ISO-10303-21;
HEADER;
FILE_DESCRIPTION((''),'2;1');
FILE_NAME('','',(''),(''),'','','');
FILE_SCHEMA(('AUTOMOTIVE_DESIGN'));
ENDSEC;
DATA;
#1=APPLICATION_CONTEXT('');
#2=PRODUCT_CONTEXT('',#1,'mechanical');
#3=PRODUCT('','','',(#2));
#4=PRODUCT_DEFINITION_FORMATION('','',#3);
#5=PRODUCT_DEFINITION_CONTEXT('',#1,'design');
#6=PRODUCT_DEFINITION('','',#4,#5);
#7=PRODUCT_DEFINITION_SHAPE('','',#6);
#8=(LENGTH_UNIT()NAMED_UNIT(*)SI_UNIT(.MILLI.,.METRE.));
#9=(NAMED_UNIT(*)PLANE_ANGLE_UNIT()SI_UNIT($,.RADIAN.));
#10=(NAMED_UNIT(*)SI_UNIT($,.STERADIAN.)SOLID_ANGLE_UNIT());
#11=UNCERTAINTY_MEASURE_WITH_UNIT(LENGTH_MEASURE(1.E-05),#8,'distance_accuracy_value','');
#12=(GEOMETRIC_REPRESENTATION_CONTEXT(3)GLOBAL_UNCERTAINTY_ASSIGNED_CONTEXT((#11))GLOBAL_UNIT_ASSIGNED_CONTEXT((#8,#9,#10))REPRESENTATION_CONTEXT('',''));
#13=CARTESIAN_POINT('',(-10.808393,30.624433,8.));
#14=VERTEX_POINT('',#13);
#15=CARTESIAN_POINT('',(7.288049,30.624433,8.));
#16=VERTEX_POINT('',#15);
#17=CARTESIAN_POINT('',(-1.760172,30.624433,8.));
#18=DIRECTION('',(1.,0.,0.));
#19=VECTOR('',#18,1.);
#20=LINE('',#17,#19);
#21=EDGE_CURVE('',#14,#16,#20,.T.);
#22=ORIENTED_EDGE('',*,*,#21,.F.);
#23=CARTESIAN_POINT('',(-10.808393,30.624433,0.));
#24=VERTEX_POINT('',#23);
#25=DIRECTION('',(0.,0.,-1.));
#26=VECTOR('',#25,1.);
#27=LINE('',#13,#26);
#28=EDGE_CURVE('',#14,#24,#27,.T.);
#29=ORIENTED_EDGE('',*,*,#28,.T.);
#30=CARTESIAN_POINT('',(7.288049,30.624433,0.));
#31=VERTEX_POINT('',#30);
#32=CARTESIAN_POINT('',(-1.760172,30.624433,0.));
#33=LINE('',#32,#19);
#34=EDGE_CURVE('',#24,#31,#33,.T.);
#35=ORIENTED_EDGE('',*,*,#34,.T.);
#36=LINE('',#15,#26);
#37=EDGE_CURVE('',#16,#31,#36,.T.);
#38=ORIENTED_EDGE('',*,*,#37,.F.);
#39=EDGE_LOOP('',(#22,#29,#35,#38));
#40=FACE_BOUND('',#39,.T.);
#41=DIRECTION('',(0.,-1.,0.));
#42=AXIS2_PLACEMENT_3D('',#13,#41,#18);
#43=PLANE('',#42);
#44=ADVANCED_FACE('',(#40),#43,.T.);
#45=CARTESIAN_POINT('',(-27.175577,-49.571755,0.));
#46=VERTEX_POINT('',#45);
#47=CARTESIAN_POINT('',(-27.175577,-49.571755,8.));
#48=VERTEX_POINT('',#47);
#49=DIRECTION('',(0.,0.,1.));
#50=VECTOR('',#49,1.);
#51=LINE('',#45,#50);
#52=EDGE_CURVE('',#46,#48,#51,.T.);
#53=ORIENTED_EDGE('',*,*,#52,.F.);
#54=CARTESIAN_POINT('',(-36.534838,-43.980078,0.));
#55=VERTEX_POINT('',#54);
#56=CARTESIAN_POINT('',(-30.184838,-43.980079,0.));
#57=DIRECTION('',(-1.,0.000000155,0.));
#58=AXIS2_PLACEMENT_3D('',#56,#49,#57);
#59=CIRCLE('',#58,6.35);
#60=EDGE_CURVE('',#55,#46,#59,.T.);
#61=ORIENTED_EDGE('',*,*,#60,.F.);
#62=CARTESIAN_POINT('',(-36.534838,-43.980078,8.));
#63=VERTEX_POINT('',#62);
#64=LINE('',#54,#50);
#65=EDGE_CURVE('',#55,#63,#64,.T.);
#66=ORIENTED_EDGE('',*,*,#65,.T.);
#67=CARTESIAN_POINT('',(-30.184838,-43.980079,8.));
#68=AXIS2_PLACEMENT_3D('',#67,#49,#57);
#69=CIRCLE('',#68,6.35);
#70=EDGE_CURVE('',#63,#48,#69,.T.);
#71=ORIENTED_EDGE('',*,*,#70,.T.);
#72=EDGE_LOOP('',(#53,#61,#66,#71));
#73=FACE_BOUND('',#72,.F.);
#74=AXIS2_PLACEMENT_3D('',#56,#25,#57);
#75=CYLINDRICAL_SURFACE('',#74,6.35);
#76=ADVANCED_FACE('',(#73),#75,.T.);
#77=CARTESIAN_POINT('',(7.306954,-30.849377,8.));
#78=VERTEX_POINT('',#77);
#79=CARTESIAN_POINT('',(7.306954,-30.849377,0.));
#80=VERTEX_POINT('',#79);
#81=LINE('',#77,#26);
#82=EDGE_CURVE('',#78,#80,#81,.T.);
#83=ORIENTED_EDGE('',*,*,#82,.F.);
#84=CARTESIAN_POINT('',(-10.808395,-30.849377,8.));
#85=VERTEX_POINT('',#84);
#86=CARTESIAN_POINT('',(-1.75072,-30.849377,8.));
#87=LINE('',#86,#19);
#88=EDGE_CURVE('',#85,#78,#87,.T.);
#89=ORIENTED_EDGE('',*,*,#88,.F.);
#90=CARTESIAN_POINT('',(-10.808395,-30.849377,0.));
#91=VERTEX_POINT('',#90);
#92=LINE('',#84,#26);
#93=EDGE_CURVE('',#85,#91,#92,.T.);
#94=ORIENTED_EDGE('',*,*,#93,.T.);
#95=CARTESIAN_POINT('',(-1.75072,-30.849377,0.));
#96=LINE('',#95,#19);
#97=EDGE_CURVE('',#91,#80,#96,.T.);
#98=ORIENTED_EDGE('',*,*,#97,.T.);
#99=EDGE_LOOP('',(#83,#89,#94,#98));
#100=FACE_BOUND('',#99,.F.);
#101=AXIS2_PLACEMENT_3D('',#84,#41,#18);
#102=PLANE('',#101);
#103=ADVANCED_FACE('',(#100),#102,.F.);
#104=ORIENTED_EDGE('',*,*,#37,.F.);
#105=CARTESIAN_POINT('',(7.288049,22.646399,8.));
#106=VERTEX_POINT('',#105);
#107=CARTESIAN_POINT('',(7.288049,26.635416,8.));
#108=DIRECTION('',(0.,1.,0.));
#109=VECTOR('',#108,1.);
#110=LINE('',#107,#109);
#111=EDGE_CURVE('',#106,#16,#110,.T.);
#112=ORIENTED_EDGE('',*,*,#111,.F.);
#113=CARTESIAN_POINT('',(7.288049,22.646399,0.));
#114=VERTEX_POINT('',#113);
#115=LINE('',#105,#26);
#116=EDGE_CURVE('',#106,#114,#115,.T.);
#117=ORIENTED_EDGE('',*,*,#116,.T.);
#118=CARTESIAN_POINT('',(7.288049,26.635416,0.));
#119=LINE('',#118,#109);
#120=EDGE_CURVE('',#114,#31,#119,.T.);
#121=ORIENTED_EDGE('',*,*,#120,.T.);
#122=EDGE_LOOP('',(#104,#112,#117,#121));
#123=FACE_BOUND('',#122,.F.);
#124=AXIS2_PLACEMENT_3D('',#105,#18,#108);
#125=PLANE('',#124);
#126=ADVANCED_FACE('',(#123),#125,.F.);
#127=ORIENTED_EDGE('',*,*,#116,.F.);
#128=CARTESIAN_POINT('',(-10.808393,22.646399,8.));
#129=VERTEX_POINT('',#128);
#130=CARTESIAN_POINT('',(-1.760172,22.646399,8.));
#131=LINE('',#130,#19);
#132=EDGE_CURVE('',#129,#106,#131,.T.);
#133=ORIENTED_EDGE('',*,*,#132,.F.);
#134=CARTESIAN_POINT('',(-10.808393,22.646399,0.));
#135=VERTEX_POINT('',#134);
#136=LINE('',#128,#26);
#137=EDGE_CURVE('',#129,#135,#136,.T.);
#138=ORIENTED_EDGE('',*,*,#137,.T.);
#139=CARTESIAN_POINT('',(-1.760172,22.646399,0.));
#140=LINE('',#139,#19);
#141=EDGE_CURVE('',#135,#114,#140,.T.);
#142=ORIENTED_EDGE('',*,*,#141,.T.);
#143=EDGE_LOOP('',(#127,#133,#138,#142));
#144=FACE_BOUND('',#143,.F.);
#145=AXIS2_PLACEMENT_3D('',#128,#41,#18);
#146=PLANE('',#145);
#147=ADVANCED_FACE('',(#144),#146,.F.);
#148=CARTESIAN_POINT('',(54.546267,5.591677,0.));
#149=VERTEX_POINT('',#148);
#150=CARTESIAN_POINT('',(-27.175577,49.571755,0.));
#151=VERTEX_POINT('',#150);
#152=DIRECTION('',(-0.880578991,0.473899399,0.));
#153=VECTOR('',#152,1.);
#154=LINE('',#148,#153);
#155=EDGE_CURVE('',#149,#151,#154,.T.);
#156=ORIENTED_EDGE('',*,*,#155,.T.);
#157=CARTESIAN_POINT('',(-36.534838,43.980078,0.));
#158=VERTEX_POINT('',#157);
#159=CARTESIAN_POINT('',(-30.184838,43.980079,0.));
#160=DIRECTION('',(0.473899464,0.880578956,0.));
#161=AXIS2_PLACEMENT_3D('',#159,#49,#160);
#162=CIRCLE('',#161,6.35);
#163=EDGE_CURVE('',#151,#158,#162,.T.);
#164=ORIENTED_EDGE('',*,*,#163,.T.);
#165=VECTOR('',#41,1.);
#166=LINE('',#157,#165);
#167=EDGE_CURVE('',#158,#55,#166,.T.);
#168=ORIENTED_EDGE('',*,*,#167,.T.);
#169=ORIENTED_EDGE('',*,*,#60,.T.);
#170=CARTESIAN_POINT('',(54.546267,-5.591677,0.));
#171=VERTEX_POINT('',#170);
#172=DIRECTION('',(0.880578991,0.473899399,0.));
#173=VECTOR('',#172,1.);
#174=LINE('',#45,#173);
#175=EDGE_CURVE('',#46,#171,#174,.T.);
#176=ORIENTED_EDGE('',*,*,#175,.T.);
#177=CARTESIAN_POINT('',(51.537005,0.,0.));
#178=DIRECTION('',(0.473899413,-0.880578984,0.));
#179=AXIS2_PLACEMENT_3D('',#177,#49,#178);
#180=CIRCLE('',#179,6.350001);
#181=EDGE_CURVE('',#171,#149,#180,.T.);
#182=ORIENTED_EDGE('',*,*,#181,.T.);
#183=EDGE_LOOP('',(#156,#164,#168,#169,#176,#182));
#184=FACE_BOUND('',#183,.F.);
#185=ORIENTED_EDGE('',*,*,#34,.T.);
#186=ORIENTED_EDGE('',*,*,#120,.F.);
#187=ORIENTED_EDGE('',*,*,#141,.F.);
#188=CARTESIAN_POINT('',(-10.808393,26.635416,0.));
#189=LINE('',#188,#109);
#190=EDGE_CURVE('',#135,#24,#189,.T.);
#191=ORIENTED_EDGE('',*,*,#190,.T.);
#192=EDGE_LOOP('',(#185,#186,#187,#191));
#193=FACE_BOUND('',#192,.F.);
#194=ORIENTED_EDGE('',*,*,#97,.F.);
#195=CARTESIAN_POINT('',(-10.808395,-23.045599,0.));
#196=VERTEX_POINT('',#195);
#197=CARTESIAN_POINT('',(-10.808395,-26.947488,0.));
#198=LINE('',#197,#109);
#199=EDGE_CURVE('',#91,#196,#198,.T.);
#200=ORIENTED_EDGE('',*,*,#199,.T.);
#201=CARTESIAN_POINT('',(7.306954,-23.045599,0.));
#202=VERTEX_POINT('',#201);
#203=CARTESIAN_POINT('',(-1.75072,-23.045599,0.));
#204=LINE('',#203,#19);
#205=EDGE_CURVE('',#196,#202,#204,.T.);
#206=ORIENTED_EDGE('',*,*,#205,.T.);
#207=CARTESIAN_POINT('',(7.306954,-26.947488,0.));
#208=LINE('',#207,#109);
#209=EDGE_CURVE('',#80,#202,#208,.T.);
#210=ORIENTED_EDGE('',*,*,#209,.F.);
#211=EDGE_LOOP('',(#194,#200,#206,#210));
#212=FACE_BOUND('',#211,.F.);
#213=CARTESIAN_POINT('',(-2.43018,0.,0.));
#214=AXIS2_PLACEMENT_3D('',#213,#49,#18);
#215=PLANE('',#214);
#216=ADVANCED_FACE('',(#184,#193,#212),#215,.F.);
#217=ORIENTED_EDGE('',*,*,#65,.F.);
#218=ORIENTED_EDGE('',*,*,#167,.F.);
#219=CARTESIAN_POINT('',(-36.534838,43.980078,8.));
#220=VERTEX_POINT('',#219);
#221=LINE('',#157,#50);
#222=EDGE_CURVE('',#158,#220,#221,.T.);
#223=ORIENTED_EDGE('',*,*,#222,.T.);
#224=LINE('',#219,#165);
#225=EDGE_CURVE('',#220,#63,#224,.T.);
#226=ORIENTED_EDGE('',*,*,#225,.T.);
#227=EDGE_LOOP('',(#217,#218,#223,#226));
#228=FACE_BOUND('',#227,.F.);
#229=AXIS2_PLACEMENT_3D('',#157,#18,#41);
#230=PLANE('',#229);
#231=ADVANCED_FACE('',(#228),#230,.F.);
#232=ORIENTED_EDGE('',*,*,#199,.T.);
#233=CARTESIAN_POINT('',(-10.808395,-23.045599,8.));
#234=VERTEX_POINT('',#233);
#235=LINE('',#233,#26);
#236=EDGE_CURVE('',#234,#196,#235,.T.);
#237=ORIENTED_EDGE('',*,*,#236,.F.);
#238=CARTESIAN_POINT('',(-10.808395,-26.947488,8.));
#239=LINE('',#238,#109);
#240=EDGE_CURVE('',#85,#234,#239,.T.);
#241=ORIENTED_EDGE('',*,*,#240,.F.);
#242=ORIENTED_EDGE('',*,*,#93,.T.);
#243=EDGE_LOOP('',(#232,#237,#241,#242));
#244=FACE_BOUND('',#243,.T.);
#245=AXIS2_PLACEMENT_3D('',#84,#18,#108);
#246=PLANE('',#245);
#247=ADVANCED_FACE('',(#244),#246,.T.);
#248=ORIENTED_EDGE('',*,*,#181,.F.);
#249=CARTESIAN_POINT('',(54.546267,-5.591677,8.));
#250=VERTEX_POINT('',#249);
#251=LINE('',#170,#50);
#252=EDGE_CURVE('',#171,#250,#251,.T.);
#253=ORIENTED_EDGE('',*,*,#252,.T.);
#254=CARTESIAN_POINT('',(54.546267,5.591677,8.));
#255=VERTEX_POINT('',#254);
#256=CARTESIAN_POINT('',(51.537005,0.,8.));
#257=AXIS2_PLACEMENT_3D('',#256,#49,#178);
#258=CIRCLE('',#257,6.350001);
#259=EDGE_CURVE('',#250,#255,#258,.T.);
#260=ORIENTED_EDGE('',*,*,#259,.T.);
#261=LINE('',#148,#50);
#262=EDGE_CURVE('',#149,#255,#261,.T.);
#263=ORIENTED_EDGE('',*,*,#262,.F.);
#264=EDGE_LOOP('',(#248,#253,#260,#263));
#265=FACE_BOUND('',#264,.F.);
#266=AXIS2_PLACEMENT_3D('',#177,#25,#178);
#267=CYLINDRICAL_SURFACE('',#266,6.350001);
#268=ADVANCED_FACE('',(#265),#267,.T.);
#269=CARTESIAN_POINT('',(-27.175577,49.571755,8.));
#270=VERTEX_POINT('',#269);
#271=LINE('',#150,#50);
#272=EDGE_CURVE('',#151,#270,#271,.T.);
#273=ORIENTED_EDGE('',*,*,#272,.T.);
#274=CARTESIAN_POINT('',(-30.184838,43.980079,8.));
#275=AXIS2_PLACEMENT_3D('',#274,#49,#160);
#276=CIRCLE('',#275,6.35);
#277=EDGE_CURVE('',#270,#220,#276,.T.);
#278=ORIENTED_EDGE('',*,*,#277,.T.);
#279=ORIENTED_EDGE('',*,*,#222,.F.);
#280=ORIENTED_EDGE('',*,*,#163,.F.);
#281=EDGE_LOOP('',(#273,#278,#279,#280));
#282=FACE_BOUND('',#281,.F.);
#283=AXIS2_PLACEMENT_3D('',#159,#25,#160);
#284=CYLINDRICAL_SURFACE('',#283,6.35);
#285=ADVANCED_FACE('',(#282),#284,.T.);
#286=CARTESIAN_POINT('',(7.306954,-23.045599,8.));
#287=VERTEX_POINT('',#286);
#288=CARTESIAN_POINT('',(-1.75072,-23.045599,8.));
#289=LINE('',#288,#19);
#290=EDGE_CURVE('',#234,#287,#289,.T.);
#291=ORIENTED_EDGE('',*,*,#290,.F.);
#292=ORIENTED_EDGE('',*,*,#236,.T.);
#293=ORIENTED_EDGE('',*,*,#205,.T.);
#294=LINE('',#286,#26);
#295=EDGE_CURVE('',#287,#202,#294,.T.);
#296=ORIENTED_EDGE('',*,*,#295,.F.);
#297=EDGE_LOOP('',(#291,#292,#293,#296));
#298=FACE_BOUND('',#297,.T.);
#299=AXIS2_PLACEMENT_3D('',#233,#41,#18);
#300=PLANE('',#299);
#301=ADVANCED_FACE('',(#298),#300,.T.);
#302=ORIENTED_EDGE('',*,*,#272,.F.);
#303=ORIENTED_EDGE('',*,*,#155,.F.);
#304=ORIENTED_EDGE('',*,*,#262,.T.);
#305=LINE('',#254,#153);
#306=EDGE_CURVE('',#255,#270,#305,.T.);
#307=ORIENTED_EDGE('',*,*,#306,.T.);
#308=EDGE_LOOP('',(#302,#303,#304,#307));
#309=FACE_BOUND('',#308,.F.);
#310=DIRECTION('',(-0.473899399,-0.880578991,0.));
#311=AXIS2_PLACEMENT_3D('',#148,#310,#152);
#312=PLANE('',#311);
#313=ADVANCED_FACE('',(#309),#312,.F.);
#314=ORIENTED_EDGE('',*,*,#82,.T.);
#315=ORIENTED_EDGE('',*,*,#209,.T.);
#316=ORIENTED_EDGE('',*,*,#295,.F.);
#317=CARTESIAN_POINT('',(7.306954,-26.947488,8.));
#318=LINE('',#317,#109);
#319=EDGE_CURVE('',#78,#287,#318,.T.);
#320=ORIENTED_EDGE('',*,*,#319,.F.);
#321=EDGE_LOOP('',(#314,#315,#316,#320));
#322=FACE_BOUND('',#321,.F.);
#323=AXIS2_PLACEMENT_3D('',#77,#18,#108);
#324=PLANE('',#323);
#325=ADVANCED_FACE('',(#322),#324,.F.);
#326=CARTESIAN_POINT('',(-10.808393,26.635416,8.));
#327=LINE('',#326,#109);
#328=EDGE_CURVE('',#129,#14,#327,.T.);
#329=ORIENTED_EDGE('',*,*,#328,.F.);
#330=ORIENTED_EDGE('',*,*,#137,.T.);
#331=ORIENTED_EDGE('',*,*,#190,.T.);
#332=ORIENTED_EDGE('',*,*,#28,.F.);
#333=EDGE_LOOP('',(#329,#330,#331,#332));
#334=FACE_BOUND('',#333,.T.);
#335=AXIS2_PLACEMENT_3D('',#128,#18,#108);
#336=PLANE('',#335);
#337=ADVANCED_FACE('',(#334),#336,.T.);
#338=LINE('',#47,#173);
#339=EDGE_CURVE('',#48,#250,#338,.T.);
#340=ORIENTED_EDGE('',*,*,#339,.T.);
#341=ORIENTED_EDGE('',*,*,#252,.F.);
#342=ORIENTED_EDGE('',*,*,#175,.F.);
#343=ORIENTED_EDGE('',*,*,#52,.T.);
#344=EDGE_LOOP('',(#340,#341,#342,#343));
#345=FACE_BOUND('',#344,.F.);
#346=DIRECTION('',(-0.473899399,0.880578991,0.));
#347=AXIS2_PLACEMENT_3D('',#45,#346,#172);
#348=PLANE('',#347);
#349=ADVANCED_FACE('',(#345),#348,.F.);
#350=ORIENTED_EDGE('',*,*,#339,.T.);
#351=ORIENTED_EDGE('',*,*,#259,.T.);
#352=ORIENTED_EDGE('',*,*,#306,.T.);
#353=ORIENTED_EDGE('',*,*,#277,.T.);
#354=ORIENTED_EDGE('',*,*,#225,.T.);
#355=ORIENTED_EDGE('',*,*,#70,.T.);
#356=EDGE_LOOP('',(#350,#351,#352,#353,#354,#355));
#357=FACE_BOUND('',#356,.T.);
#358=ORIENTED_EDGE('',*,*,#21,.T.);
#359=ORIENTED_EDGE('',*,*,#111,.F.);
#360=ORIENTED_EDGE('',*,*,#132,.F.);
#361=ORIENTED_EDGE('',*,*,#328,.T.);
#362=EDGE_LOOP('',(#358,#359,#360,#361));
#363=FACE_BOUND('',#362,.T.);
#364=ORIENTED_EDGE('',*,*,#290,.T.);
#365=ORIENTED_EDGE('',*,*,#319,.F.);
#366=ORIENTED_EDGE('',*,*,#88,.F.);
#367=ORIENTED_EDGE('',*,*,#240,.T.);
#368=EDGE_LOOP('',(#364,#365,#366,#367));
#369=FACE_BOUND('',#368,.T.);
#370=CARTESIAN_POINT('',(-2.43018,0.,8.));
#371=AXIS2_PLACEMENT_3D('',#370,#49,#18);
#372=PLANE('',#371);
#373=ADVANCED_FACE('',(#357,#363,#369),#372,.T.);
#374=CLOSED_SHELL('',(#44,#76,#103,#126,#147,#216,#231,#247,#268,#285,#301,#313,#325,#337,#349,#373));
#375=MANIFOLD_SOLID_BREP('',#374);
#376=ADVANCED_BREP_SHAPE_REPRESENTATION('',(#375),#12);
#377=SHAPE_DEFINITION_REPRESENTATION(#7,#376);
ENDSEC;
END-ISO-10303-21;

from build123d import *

# Parameters (mm, degrees)
F1_DEPTH = 8
F3_W     = 18.096443
F3_H     = 7.978035
F5_DEPTH = 8
F4_W     = 18.115349
F4_H     = 7.803778
F6_DEPTH = 8


with BuildPart() as f1:
    # F0 (on Top) → F1 (new body)
    with BuildSketch(Plane.XY):
        with BuildLine():
            ThreePointArc((54.546267, -5.591677), (57.887006, 0), (54.546267, 5.591677))
            Line((54.546267, 5.591677), (-27.175577, 49.571755))
            ThreePointArc((-27.175577, 49.571755), (-33.441654, 49.431285), (-36.534838, 43.980078))
            Line((-36.534838, 43.980078), (-36.534838, -43.980078))
            ThreePointArc((-36.534838, -43.980078), (-33.441654, -49.431285), (-27.175577, -49.571755))
            Line((-27.175577, -49.571755), (54.546267, -5.591677))
        make_face()
    extrude(amount=F1_DEPTH)

    # F3 (on face) → F5 (cut)
    with BuildSketch(Plane.XY.offset(8)):
        with Locations((-1.760172, 26.635416)):
            Rectangle(F3_W, F3_H)
    extrude(amount=-F5_DEPTH, mode=Mode.SUBTRACT)

    # F4 (on face) → F6 (cut)
    with BuildSketch(Plane.XY.offset(8)):
        with Locations((-1.75072, -26.947488)):
            Rectangle(F4_W, F4_H)
    extrude(amount=-F6_DEPTH, mode=Mode.SUBTRACT)


solid = f1.part
